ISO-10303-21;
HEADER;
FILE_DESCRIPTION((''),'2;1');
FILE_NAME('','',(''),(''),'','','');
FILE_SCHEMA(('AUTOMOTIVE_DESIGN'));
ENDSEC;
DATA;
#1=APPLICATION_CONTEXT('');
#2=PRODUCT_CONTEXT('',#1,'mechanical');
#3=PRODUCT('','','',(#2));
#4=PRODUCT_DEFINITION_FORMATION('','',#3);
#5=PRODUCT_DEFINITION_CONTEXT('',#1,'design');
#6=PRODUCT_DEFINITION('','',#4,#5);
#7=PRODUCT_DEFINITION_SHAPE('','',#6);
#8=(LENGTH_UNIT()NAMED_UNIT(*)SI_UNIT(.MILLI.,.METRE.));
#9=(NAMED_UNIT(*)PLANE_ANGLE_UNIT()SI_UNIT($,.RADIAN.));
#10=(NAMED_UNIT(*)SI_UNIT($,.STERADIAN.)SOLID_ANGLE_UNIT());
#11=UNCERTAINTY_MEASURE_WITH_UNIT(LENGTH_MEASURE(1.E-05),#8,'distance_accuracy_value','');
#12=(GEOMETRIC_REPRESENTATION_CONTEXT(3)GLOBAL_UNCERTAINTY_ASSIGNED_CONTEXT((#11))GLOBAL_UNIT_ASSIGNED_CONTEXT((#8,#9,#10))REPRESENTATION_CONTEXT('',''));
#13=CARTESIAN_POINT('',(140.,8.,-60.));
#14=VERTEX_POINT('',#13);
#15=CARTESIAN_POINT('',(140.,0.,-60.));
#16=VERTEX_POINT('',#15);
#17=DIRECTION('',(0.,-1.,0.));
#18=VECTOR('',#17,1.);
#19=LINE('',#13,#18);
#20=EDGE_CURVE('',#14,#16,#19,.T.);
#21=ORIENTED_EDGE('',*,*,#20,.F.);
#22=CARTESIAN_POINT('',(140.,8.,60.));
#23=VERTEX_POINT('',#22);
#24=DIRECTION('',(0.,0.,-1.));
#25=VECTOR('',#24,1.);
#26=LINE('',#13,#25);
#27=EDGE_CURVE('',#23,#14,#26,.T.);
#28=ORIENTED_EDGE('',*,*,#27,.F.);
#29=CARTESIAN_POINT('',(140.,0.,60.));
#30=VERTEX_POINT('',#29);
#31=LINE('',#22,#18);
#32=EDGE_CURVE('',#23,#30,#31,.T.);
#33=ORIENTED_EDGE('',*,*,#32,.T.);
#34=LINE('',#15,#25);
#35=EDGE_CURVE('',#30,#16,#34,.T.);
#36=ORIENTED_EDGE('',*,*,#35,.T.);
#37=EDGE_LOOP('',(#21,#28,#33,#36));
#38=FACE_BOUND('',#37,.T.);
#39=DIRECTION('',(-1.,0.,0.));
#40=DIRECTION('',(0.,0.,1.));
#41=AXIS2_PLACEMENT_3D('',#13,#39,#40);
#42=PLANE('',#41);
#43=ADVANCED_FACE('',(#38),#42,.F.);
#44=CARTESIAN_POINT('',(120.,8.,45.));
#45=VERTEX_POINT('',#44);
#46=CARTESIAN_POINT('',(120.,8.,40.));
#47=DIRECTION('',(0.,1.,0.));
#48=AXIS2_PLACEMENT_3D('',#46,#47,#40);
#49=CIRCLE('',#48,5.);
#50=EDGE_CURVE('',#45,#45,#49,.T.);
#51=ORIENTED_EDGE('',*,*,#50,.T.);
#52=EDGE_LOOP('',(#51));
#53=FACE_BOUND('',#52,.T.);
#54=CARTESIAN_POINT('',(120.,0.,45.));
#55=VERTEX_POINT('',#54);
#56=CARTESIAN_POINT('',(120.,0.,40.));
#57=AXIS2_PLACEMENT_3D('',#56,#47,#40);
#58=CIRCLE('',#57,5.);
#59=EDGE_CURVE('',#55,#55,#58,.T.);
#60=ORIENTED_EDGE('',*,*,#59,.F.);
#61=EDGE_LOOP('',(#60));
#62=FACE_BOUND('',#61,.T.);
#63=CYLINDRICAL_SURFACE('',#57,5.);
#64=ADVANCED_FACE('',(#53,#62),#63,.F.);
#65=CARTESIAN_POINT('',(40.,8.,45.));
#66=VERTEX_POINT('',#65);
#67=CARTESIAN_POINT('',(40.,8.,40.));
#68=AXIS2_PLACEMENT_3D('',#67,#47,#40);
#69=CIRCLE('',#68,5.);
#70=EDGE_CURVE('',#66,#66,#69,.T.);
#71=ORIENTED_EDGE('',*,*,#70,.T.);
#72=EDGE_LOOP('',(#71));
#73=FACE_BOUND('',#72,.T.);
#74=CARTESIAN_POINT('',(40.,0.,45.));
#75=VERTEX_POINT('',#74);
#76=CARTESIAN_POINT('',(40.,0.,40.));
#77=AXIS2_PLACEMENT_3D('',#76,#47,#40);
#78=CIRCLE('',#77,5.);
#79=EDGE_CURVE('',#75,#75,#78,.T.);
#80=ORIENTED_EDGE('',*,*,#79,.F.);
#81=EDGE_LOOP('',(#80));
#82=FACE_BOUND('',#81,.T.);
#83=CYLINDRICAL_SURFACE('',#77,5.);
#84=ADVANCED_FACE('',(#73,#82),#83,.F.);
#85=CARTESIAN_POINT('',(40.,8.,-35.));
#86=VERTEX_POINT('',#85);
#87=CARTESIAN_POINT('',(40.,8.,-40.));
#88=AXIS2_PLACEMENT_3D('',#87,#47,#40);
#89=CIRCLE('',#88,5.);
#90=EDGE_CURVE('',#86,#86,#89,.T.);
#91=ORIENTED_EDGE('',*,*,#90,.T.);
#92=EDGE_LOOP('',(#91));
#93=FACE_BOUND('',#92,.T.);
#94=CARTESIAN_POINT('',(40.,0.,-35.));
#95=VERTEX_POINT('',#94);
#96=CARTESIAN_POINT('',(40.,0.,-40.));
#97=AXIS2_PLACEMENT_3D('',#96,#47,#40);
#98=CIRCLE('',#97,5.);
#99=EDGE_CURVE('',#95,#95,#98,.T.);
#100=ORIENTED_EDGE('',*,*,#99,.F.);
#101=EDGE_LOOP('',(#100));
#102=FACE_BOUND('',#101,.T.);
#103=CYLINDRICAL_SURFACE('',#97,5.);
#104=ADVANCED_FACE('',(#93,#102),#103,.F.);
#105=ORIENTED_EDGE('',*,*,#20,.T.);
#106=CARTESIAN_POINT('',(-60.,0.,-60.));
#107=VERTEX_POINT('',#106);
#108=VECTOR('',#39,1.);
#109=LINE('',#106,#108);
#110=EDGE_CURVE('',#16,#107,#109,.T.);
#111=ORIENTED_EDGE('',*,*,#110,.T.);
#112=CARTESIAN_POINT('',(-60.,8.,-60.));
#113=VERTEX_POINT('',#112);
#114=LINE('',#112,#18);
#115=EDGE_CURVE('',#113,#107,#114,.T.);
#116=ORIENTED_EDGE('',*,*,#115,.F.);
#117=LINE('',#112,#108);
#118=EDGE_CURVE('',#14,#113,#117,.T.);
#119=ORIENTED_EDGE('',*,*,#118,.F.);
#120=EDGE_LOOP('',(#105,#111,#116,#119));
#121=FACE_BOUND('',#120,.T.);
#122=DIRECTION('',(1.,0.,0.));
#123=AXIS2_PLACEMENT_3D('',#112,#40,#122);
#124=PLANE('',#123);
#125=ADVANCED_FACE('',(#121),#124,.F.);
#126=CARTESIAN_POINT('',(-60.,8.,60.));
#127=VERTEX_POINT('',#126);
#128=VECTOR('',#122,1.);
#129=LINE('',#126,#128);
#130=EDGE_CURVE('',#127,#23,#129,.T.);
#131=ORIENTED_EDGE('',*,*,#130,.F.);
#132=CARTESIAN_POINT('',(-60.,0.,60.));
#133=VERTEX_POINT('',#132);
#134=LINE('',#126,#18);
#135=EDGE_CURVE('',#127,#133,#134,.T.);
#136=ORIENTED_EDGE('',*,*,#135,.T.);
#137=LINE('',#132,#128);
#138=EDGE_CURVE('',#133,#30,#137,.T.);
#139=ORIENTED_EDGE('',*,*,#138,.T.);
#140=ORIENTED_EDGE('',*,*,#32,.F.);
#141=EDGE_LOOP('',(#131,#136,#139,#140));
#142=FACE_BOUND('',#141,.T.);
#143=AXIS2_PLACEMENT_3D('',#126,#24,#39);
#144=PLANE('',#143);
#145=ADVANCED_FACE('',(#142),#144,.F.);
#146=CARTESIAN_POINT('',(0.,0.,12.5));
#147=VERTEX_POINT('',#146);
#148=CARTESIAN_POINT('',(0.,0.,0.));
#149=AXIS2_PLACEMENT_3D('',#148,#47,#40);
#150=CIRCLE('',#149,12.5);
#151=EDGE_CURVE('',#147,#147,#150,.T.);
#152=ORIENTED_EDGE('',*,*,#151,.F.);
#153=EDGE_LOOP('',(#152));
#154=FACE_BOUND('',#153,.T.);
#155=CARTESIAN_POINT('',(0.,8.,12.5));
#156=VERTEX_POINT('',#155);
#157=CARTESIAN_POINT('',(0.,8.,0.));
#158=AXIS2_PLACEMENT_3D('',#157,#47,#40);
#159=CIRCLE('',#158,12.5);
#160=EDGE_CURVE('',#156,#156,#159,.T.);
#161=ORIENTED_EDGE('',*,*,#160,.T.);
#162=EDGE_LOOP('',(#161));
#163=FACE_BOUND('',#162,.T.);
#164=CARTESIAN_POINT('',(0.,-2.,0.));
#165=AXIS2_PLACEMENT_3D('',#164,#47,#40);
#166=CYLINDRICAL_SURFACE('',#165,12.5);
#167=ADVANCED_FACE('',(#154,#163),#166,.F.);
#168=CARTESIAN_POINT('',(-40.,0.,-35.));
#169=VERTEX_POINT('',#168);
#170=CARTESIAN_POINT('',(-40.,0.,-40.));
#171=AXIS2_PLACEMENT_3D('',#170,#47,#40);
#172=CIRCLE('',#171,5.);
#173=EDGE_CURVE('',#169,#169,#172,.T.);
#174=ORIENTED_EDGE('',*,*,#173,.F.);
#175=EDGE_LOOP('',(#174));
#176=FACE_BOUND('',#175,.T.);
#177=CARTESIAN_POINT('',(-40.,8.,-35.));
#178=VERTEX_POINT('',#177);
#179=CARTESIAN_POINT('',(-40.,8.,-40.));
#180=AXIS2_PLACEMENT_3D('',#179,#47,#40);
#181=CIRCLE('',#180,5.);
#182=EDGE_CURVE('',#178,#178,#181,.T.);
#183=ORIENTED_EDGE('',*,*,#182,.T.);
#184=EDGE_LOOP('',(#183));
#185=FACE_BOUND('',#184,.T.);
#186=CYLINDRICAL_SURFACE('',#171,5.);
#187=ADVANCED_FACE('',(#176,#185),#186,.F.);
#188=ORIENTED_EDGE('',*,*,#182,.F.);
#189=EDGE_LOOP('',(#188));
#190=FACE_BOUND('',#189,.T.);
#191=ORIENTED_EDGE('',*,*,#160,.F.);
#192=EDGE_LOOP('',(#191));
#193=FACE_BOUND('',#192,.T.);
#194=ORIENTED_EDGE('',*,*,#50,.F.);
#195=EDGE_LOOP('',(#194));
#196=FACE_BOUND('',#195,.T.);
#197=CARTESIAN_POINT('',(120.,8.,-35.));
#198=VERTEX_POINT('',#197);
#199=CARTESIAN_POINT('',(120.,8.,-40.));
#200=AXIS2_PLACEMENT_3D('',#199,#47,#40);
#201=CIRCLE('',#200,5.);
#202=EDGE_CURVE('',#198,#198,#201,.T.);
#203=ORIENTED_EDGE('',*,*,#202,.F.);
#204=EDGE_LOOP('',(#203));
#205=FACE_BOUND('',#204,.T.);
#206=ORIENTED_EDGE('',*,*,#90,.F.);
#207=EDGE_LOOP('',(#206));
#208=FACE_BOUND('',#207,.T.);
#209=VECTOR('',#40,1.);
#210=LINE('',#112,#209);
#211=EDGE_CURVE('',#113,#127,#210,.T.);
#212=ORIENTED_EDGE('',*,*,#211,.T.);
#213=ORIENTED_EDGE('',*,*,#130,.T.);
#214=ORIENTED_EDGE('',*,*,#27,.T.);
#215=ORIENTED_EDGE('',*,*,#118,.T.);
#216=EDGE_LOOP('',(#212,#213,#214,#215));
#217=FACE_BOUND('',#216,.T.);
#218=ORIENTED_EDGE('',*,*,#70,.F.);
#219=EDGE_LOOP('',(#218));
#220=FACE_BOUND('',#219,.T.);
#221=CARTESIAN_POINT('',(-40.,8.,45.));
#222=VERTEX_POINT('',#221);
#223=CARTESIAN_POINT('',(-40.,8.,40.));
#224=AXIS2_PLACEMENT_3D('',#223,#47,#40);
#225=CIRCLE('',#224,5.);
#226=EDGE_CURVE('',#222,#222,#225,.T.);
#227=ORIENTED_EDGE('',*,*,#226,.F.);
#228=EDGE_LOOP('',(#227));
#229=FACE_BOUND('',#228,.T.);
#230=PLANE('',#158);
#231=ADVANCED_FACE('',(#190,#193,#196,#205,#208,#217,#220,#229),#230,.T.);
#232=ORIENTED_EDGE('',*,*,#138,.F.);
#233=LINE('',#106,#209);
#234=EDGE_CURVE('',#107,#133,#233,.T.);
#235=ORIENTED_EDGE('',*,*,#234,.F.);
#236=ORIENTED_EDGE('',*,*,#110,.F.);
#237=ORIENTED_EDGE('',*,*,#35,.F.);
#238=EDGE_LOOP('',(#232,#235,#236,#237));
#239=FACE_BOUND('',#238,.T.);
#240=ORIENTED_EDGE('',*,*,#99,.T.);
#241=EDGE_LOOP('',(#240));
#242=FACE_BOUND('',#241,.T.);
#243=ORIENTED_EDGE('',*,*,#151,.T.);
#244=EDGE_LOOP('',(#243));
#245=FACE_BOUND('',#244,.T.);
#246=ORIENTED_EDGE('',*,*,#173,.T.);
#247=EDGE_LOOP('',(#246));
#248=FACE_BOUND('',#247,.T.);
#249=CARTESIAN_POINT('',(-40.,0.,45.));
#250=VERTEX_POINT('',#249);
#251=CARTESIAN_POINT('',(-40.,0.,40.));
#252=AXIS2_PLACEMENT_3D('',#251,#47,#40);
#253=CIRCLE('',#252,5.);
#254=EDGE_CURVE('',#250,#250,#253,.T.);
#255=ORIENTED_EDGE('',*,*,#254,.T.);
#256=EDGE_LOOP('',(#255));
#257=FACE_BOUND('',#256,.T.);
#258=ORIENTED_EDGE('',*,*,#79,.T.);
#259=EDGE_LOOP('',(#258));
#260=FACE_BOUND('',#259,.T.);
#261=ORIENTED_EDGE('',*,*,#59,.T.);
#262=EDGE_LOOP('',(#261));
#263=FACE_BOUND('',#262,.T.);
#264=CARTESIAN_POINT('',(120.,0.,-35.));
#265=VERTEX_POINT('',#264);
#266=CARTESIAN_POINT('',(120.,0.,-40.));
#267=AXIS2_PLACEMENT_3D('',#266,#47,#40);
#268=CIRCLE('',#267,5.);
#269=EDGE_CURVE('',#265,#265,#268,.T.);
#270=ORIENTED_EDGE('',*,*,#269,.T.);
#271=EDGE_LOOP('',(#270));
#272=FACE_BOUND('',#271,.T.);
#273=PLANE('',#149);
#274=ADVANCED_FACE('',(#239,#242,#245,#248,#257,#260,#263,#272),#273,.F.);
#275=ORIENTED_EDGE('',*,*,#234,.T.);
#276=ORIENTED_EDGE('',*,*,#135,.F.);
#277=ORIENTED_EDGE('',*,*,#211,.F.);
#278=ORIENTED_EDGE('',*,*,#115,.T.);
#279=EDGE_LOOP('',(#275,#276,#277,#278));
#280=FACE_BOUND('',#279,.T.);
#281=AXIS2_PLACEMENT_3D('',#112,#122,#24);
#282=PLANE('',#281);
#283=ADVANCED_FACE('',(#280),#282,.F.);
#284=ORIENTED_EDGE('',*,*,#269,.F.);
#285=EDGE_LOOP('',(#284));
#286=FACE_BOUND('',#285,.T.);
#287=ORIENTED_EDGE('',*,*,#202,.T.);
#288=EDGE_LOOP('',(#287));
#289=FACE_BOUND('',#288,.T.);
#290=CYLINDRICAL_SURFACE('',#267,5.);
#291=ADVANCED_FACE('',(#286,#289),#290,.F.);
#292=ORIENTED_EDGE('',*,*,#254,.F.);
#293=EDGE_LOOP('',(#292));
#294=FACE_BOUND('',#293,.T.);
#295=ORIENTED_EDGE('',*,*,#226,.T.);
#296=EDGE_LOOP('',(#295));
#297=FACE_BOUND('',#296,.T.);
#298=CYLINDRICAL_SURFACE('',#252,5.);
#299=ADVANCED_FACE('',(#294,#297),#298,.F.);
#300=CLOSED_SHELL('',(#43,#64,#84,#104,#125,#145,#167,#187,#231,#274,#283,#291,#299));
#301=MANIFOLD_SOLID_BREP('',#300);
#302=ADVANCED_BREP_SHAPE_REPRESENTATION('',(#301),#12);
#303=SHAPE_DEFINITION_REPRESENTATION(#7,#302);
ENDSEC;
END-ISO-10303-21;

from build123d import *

# Parameters (mm, degrees)
SKETCH2_W            = 200
SKETCH2_H            = 120
BOSS_EXTRUDE3_DEPTH  = 8
SKETCH3_R            = 5
CUT_EXTRUDE1_DEPTH   = 9
LPATTERN2_COUNT      = 2
LPATTERN2_PITCH      = 80
LPATTERN2_COUNT_DIR2 = 3
LPATTERN2_PITCH_DIR2 = 80
SKETCH4_R            = 12.5
CUT_EXTRUDE2_DEPTH   = 10


with BuildPart() as part:
    # Sketch2 → Boss-Extrude3 (new body)
    with BuildSketch(Plane(origin=(0, 0, 0), x_dir=(1, 0, 0), z_dir=(0, 1, 0))):
        with Locations((40, 0)):
            Rectangle(SKETCH2_W, SKETCH2_H)
    extrude(amount=BOSS_EXTRUDE3_DEPTH)

    # Sketch3 → Cut-Extrude1 (cut, through all)
    with BuildSketch(Plane(origin=(0, 8, 0), x_dir=(1, 0, 0), z_dir=(0, 1, 0))):
        with Locations((-40, 40)):
            Circle(SKETCH3_R)
    cut_extrude1 = extrude(amount=-CUT_EXTRUDE1_DEPTH, mode=Mode.SUBTRACT)

    # LPattern2: Cut-Extrude1 2 × 3
    with Locations(*[(j * LPATTERN2_PITCH_DIR2, 0, i * LPATTERN2_PITCH) for i in range(LPATTERN2_COUNT) for j in range(LPATTERN2_COUNT_DIR2) if (i, j) != (0, 0)]):
        add(cut_extrude1, mode=Mode.SUBTRACT)

    # Sketch4 → Cut-Extrude2 (cut)
    with BuildSketch(Plane(origin=(0, 8, 0), x_dir=(1, 0, 0), z_dir=(0, 1, 0))):
        Circle(SKETCH4_R)
    extrude(amount=-CUT_EXTRUDE2_DEPTH, mode=Mode.SUBTRACT)


solid = part.part
